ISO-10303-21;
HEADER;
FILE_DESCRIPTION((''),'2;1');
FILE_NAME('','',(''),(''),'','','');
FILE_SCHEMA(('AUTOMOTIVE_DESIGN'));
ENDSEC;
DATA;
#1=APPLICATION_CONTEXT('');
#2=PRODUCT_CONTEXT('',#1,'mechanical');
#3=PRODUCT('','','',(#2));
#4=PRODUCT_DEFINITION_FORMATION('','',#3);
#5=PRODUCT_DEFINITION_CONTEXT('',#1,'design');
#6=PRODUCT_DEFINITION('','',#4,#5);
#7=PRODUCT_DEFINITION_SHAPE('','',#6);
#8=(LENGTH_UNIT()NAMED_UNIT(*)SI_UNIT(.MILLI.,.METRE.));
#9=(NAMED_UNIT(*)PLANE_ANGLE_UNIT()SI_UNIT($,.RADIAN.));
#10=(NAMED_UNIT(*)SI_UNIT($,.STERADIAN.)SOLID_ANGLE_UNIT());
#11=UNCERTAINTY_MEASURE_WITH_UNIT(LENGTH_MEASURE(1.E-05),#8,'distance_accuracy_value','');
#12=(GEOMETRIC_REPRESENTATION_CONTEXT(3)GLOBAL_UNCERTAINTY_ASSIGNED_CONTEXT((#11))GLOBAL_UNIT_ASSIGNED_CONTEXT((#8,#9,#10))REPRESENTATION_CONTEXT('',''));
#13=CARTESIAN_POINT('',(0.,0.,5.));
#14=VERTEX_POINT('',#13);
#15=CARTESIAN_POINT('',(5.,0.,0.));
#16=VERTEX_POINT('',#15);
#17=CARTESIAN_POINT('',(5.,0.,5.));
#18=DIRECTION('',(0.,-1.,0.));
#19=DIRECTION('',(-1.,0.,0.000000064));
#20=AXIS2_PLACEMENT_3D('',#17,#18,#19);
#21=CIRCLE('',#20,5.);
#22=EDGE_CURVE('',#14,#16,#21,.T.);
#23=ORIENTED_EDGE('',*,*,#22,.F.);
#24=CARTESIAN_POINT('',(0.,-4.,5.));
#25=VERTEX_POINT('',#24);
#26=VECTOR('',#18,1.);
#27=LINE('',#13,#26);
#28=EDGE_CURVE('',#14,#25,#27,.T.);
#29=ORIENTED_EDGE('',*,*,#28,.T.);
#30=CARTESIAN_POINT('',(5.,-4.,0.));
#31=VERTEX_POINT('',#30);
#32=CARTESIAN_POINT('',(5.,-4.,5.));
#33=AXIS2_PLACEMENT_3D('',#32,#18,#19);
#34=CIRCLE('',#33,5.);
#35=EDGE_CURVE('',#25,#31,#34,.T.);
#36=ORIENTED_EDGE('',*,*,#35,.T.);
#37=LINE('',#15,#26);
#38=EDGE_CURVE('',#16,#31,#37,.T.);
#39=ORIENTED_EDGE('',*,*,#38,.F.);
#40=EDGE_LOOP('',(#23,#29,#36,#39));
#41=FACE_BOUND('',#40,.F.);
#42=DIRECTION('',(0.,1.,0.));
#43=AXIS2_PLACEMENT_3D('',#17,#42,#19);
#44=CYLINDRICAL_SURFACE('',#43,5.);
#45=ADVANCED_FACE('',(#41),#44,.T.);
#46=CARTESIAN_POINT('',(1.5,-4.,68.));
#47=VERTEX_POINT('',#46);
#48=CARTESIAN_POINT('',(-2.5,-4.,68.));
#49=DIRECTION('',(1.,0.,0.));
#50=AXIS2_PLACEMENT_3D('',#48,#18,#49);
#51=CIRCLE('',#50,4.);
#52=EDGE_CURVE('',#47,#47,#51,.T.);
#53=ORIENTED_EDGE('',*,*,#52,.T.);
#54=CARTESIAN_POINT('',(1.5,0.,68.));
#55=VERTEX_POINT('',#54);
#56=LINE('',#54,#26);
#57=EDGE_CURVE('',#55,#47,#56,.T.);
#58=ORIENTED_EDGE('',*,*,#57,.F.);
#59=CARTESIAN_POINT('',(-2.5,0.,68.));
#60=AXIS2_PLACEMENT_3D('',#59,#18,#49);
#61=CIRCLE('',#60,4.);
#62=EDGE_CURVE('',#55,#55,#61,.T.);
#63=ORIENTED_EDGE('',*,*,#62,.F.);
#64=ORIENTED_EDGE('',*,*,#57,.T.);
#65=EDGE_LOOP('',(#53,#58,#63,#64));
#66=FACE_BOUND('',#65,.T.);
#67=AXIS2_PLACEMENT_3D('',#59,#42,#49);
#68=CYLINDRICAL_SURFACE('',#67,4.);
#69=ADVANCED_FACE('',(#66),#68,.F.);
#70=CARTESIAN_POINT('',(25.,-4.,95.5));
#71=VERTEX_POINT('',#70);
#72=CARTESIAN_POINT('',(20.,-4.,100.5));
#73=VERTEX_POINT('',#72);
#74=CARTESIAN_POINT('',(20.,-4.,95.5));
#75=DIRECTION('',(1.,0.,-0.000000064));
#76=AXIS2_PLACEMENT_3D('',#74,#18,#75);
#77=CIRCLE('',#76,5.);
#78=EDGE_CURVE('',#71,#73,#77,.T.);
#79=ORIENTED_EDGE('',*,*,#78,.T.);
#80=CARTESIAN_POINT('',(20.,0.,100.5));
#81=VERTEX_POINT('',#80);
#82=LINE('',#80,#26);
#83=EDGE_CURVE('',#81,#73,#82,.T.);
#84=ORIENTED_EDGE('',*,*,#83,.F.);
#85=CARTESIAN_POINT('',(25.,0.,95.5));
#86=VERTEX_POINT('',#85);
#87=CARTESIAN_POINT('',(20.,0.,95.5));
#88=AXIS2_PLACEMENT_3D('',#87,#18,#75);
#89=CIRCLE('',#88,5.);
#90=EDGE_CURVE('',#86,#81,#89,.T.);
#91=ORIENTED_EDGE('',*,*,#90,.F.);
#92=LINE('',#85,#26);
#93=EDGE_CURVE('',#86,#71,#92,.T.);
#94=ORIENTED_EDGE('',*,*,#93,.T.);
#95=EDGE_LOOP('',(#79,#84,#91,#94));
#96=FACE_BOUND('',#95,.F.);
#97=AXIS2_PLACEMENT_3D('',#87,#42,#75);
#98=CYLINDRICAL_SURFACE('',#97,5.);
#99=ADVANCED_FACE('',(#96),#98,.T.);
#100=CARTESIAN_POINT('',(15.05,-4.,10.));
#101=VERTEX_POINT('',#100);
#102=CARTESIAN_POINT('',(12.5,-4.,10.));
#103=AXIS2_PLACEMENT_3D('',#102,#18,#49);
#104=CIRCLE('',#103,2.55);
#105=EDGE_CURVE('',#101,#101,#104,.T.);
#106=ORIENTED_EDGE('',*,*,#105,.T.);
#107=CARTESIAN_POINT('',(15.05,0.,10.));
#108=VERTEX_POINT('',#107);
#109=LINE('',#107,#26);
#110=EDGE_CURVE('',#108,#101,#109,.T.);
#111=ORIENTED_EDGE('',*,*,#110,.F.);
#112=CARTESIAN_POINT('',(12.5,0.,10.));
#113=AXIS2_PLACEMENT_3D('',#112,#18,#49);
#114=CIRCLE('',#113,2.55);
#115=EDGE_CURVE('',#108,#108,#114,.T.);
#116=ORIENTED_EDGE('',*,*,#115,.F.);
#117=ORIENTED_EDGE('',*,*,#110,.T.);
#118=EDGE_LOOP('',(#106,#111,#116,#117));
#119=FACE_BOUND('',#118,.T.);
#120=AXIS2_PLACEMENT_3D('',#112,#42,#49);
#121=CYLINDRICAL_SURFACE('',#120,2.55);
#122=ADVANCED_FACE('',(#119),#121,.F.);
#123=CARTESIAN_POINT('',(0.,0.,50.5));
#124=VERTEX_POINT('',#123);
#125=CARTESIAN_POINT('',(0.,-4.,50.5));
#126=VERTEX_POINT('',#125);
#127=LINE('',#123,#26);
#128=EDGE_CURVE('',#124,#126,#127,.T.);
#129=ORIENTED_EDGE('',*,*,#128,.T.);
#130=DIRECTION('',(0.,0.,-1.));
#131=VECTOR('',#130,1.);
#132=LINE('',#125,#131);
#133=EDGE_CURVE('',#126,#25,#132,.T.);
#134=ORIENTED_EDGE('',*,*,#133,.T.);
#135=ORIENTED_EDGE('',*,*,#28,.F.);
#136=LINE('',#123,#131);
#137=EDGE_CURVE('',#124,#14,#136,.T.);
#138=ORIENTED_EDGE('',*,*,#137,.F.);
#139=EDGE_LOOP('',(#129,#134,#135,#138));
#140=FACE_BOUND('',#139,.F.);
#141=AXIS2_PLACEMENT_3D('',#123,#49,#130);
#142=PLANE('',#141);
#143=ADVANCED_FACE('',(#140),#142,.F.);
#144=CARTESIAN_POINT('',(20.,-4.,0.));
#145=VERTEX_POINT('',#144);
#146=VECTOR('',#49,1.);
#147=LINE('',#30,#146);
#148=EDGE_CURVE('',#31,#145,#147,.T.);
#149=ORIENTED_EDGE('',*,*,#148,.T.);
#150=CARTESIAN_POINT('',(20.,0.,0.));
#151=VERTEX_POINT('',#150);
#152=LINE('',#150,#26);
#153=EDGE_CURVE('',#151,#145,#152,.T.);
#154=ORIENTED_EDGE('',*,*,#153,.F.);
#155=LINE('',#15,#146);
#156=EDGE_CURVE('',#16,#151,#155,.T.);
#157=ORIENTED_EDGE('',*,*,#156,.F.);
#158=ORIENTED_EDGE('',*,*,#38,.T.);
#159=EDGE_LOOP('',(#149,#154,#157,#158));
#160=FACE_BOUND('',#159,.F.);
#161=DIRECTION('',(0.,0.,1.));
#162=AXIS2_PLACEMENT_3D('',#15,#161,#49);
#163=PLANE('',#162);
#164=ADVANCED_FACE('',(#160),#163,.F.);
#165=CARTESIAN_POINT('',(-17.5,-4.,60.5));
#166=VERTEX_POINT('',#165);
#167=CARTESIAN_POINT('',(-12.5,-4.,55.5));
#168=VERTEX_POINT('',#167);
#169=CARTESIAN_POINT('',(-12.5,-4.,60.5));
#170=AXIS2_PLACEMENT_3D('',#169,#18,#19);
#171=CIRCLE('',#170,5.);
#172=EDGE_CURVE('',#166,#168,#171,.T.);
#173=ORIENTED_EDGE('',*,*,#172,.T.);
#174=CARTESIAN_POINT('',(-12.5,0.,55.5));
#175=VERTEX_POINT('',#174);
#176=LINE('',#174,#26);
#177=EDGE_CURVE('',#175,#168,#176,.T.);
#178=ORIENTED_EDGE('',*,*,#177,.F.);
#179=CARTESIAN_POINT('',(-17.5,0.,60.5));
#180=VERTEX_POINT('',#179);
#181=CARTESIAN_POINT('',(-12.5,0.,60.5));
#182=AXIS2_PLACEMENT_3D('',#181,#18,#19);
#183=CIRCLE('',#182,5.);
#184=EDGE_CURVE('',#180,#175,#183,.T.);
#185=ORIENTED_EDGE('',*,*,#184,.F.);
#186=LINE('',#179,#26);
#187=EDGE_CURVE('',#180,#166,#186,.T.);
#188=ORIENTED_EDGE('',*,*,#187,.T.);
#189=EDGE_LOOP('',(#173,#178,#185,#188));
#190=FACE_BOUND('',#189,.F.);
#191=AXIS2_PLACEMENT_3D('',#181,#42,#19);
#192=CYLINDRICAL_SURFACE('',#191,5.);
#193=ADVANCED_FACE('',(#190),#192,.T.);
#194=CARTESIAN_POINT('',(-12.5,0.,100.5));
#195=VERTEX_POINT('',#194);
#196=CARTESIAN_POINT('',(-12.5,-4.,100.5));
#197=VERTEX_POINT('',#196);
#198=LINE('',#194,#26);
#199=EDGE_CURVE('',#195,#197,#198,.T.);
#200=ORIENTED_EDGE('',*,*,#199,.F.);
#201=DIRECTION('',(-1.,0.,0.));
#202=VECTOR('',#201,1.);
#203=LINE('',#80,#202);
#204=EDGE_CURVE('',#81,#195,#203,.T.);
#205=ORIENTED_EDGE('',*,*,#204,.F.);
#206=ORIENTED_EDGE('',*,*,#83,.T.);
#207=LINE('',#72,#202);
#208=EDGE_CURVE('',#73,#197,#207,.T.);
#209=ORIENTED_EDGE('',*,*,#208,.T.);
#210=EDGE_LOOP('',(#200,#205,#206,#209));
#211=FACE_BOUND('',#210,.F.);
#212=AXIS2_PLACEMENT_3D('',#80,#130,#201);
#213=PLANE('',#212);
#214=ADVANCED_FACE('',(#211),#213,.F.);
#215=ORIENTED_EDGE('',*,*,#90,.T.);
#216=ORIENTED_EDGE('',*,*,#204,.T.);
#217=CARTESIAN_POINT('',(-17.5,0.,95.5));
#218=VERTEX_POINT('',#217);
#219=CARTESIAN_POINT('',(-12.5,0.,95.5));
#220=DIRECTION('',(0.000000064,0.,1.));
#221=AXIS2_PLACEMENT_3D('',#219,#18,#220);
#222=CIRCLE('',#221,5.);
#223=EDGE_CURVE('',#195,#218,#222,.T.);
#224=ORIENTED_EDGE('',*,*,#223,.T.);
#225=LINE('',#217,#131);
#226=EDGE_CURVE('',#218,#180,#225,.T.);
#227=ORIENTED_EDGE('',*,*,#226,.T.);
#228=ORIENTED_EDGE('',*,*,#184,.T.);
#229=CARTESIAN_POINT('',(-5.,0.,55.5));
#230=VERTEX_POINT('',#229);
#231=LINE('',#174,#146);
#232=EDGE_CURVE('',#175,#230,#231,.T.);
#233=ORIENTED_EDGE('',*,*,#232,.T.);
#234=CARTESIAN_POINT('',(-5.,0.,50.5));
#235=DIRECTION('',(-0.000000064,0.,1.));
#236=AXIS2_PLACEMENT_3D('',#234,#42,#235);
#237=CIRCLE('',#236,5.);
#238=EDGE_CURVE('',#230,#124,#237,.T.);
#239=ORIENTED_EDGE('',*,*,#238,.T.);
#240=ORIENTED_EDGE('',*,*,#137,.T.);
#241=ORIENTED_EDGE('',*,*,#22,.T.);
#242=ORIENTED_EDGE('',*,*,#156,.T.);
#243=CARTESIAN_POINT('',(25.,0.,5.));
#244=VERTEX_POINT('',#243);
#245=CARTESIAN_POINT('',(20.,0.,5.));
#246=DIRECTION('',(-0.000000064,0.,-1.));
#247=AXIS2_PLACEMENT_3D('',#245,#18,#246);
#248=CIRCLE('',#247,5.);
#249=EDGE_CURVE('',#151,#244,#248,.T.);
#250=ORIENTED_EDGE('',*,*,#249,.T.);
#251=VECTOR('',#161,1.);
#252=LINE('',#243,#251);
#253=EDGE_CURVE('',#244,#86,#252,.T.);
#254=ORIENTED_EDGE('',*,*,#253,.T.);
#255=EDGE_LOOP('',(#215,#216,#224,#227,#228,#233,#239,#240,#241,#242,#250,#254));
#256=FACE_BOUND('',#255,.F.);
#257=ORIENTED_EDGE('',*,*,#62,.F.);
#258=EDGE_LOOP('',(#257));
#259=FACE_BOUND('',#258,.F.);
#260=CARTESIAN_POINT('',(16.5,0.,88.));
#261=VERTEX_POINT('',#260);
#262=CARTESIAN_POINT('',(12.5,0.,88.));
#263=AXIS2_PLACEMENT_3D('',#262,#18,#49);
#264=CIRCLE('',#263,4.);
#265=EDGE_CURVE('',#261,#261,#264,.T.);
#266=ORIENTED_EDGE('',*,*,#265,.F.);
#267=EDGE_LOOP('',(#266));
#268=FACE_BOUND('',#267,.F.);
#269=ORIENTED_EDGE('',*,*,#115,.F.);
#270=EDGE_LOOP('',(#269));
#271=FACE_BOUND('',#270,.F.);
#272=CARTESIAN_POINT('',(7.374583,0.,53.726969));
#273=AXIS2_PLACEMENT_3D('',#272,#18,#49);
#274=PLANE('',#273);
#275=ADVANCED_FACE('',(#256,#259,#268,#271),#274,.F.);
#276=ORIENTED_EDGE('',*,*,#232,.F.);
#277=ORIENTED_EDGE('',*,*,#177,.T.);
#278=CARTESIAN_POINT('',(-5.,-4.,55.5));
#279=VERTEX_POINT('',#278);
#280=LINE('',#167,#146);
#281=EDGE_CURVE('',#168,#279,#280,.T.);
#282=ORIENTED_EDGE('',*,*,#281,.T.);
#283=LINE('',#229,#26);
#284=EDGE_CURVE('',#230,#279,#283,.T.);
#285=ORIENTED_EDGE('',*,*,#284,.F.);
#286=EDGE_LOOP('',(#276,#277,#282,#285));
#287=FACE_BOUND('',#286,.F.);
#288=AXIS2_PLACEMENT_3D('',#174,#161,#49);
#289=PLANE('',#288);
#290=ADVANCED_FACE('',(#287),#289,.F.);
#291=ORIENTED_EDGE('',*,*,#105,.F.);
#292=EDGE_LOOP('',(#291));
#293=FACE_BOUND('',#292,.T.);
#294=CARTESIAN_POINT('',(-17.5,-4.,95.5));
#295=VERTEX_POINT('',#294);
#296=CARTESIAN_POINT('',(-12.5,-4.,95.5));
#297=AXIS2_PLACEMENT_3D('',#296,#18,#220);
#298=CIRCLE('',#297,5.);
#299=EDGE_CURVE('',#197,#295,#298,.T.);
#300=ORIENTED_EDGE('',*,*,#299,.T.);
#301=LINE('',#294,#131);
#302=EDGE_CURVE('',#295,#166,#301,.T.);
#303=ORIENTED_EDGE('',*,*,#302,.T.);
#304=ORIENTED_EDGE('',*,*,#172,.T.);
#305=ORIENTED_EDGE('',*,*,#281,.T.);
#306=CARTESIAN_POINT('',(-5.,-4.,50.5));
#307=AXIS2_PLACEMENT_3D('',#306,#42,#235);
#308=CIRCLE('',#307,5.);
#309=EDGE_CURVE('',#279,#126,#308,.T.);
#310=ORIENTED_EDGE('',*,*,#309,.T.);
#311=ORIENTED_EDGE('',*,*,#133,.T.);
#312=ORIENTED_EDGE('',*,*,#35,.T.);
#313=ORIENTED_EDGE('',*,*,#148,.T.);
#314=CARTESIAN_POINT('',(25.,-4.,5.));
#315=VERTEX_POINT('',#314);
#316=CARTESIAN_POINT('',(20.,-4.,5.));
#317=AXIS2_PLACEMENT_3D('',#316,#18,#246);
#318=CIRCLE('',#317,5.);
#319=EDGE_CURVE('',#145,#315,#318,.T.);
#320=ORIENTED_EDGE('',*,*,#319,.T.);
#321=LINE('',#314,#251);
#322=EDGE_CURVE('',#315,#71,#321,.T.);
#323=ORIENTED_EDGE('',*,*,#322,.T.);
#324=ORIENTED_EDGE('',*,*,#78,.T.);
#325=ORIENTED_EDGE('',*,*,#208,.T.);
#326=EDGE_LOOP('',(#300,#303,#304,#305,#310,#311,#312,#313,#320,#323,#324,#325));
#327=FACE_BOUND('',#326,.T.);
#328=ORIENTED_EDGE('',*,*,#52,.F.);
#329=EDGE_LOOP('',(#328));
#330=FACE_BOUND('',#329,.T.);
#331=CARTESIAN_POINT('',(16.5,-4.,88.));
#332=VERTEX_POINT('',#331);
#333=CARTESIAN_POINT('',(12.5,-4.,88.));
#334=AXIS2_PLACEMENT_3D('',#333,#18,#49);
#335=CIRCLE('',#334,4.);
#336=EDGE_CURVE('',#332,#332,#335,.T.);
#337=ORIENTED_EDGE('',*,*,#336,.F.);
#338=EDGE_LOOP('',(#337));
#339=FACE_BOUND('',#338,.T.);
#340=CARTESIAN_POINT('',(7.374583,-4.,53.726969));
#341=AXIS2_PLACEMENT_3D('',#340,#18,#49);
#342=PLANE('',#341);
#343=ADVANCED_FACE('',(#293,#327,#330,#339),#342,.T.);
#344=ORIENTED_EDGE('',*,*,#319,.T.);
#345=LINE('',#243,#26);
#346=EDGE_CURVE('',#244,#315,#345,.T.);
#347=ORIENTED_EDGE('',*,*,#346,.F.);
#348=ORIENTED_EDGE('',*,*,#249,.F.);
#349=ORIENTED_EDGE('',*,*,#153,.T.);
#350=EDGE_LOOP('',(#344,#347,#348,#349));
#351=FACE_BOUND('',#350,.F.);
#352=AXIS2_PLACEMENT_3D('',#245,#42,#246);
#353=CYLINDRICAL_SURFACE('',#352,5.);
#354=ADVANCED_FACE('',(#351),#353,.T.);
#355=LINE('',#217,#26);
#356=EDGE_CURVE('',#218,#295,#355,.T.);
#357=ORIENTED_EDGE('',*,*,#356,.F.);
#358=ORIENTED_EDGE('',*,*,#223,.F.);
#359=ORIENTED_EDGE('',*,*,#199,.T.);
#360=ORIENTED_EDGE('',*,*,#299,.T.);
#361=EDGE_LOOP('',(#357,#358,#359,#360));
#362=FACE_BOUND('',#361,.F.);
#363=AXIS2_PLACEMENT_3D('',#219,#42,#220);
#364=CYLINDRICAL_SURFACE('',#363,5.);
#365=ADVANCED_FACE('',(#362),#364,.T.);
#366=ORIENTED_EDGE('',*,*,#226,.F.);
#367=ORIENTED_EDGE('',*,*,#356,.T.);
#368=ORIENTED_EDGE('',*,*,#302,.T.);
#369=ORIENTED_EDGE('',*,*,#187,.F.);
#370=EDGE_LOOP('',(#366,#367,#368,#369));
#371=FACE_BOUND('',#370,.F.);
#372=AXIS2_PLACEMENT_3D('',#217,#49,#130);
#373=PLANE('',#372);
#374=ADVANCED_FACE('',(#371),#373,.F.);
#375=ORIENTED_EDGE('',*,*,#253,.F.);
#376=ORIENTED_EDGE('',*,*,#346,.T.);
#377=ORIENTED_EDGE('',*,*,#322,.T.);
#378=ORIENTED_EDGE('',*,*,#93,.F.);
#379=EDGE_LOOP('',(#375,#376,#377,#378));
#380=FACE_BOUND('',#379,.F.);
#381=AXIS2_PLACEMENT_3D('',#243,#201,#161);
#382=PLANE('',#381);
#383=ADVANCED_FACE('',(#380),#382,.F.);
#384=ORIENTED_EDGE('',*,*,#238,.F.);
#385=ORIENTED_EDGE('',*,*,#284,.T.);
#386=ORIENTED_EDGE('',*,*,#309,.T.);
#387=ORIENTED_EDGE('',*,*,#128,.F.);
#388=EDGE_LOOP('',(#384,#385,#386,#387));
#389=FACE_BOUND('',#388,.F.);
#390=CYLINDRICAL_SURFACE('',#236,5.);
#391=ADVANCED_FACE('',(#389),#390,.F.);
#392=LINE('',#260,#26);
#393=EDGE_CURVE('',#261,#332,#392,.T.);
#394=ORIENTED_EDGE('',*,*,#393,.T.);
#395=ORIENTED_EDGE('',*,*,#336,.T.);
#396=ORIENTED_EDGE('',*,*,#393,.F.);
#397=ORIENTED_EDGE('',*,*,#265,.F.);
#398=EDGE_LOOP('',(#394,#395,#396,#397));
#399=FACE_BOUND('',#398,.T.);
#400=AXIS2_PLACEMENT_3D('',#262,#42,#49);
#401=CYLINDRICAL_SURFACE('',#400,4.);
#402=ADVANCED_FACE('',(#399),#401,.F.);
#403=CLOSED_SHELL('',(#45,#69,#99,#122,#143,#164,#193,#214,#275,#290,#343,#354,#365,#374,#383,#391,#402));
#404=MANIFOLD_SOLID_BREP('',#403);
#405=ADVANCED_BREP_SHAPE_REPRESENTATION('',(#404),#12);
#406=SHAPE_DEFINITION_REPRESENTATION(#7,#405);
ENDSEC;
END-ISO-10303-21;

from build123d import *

# Parameters (mm, degrees)
F0_R     = 2.55
F0_R_2   = 4
F1_DEPTH = 4


with BuildPart() as f1:
    # F0 (on Front) → F1 (new body)
    with BuildSketch(Plane.XZ):
        with BuildLine():
            Line((0, 50.5), (0, 5))
            ThreePointArc((0, 5), (1.464466, 1.464466), (5, 0))
            Line((5, 0), (20, 0))
            ThreePointArc((20, 0), (23.535534, 1.464466), (25, 5))
            Line((25, 5), (25, 95.5))
            ThreePointArc((25, 95.5), (23.535534, 99.035534), (20, 100.5))
            Line((20, 100.5), (-12.5, 100.5))
            ThreePointArc((-12.5, 100.5), (-16.035534, 99.035534), (-17.5, 95.5))
            Line((-17.5, 95.5), (-17.5, 60.5))
            ThreePointArc((-17.5, 60.5), (-16.035534, 56.964466), (-12.5, 55.5))
            Line((-12.5, 55.5), (-5, 55.5))
            ThreePointArc((-5, 55.5), (-1.464466, 54.035534), (0, 50.5))
        make_face()
        with Locations((12.5, 10)):
            Circle(F0_R, mode=Mode.SUBTRACT)
        with Locations((-2.5, 68)):
            Circle(F0_R_2, mode=Mode.SUBTRACT)
        with Locations((12.5, 88)):
            Circle(F0_R_2, mode=Mode.SUBTRACT)
    extrude(amount=F1_DEPTH)


solid = f1.part
